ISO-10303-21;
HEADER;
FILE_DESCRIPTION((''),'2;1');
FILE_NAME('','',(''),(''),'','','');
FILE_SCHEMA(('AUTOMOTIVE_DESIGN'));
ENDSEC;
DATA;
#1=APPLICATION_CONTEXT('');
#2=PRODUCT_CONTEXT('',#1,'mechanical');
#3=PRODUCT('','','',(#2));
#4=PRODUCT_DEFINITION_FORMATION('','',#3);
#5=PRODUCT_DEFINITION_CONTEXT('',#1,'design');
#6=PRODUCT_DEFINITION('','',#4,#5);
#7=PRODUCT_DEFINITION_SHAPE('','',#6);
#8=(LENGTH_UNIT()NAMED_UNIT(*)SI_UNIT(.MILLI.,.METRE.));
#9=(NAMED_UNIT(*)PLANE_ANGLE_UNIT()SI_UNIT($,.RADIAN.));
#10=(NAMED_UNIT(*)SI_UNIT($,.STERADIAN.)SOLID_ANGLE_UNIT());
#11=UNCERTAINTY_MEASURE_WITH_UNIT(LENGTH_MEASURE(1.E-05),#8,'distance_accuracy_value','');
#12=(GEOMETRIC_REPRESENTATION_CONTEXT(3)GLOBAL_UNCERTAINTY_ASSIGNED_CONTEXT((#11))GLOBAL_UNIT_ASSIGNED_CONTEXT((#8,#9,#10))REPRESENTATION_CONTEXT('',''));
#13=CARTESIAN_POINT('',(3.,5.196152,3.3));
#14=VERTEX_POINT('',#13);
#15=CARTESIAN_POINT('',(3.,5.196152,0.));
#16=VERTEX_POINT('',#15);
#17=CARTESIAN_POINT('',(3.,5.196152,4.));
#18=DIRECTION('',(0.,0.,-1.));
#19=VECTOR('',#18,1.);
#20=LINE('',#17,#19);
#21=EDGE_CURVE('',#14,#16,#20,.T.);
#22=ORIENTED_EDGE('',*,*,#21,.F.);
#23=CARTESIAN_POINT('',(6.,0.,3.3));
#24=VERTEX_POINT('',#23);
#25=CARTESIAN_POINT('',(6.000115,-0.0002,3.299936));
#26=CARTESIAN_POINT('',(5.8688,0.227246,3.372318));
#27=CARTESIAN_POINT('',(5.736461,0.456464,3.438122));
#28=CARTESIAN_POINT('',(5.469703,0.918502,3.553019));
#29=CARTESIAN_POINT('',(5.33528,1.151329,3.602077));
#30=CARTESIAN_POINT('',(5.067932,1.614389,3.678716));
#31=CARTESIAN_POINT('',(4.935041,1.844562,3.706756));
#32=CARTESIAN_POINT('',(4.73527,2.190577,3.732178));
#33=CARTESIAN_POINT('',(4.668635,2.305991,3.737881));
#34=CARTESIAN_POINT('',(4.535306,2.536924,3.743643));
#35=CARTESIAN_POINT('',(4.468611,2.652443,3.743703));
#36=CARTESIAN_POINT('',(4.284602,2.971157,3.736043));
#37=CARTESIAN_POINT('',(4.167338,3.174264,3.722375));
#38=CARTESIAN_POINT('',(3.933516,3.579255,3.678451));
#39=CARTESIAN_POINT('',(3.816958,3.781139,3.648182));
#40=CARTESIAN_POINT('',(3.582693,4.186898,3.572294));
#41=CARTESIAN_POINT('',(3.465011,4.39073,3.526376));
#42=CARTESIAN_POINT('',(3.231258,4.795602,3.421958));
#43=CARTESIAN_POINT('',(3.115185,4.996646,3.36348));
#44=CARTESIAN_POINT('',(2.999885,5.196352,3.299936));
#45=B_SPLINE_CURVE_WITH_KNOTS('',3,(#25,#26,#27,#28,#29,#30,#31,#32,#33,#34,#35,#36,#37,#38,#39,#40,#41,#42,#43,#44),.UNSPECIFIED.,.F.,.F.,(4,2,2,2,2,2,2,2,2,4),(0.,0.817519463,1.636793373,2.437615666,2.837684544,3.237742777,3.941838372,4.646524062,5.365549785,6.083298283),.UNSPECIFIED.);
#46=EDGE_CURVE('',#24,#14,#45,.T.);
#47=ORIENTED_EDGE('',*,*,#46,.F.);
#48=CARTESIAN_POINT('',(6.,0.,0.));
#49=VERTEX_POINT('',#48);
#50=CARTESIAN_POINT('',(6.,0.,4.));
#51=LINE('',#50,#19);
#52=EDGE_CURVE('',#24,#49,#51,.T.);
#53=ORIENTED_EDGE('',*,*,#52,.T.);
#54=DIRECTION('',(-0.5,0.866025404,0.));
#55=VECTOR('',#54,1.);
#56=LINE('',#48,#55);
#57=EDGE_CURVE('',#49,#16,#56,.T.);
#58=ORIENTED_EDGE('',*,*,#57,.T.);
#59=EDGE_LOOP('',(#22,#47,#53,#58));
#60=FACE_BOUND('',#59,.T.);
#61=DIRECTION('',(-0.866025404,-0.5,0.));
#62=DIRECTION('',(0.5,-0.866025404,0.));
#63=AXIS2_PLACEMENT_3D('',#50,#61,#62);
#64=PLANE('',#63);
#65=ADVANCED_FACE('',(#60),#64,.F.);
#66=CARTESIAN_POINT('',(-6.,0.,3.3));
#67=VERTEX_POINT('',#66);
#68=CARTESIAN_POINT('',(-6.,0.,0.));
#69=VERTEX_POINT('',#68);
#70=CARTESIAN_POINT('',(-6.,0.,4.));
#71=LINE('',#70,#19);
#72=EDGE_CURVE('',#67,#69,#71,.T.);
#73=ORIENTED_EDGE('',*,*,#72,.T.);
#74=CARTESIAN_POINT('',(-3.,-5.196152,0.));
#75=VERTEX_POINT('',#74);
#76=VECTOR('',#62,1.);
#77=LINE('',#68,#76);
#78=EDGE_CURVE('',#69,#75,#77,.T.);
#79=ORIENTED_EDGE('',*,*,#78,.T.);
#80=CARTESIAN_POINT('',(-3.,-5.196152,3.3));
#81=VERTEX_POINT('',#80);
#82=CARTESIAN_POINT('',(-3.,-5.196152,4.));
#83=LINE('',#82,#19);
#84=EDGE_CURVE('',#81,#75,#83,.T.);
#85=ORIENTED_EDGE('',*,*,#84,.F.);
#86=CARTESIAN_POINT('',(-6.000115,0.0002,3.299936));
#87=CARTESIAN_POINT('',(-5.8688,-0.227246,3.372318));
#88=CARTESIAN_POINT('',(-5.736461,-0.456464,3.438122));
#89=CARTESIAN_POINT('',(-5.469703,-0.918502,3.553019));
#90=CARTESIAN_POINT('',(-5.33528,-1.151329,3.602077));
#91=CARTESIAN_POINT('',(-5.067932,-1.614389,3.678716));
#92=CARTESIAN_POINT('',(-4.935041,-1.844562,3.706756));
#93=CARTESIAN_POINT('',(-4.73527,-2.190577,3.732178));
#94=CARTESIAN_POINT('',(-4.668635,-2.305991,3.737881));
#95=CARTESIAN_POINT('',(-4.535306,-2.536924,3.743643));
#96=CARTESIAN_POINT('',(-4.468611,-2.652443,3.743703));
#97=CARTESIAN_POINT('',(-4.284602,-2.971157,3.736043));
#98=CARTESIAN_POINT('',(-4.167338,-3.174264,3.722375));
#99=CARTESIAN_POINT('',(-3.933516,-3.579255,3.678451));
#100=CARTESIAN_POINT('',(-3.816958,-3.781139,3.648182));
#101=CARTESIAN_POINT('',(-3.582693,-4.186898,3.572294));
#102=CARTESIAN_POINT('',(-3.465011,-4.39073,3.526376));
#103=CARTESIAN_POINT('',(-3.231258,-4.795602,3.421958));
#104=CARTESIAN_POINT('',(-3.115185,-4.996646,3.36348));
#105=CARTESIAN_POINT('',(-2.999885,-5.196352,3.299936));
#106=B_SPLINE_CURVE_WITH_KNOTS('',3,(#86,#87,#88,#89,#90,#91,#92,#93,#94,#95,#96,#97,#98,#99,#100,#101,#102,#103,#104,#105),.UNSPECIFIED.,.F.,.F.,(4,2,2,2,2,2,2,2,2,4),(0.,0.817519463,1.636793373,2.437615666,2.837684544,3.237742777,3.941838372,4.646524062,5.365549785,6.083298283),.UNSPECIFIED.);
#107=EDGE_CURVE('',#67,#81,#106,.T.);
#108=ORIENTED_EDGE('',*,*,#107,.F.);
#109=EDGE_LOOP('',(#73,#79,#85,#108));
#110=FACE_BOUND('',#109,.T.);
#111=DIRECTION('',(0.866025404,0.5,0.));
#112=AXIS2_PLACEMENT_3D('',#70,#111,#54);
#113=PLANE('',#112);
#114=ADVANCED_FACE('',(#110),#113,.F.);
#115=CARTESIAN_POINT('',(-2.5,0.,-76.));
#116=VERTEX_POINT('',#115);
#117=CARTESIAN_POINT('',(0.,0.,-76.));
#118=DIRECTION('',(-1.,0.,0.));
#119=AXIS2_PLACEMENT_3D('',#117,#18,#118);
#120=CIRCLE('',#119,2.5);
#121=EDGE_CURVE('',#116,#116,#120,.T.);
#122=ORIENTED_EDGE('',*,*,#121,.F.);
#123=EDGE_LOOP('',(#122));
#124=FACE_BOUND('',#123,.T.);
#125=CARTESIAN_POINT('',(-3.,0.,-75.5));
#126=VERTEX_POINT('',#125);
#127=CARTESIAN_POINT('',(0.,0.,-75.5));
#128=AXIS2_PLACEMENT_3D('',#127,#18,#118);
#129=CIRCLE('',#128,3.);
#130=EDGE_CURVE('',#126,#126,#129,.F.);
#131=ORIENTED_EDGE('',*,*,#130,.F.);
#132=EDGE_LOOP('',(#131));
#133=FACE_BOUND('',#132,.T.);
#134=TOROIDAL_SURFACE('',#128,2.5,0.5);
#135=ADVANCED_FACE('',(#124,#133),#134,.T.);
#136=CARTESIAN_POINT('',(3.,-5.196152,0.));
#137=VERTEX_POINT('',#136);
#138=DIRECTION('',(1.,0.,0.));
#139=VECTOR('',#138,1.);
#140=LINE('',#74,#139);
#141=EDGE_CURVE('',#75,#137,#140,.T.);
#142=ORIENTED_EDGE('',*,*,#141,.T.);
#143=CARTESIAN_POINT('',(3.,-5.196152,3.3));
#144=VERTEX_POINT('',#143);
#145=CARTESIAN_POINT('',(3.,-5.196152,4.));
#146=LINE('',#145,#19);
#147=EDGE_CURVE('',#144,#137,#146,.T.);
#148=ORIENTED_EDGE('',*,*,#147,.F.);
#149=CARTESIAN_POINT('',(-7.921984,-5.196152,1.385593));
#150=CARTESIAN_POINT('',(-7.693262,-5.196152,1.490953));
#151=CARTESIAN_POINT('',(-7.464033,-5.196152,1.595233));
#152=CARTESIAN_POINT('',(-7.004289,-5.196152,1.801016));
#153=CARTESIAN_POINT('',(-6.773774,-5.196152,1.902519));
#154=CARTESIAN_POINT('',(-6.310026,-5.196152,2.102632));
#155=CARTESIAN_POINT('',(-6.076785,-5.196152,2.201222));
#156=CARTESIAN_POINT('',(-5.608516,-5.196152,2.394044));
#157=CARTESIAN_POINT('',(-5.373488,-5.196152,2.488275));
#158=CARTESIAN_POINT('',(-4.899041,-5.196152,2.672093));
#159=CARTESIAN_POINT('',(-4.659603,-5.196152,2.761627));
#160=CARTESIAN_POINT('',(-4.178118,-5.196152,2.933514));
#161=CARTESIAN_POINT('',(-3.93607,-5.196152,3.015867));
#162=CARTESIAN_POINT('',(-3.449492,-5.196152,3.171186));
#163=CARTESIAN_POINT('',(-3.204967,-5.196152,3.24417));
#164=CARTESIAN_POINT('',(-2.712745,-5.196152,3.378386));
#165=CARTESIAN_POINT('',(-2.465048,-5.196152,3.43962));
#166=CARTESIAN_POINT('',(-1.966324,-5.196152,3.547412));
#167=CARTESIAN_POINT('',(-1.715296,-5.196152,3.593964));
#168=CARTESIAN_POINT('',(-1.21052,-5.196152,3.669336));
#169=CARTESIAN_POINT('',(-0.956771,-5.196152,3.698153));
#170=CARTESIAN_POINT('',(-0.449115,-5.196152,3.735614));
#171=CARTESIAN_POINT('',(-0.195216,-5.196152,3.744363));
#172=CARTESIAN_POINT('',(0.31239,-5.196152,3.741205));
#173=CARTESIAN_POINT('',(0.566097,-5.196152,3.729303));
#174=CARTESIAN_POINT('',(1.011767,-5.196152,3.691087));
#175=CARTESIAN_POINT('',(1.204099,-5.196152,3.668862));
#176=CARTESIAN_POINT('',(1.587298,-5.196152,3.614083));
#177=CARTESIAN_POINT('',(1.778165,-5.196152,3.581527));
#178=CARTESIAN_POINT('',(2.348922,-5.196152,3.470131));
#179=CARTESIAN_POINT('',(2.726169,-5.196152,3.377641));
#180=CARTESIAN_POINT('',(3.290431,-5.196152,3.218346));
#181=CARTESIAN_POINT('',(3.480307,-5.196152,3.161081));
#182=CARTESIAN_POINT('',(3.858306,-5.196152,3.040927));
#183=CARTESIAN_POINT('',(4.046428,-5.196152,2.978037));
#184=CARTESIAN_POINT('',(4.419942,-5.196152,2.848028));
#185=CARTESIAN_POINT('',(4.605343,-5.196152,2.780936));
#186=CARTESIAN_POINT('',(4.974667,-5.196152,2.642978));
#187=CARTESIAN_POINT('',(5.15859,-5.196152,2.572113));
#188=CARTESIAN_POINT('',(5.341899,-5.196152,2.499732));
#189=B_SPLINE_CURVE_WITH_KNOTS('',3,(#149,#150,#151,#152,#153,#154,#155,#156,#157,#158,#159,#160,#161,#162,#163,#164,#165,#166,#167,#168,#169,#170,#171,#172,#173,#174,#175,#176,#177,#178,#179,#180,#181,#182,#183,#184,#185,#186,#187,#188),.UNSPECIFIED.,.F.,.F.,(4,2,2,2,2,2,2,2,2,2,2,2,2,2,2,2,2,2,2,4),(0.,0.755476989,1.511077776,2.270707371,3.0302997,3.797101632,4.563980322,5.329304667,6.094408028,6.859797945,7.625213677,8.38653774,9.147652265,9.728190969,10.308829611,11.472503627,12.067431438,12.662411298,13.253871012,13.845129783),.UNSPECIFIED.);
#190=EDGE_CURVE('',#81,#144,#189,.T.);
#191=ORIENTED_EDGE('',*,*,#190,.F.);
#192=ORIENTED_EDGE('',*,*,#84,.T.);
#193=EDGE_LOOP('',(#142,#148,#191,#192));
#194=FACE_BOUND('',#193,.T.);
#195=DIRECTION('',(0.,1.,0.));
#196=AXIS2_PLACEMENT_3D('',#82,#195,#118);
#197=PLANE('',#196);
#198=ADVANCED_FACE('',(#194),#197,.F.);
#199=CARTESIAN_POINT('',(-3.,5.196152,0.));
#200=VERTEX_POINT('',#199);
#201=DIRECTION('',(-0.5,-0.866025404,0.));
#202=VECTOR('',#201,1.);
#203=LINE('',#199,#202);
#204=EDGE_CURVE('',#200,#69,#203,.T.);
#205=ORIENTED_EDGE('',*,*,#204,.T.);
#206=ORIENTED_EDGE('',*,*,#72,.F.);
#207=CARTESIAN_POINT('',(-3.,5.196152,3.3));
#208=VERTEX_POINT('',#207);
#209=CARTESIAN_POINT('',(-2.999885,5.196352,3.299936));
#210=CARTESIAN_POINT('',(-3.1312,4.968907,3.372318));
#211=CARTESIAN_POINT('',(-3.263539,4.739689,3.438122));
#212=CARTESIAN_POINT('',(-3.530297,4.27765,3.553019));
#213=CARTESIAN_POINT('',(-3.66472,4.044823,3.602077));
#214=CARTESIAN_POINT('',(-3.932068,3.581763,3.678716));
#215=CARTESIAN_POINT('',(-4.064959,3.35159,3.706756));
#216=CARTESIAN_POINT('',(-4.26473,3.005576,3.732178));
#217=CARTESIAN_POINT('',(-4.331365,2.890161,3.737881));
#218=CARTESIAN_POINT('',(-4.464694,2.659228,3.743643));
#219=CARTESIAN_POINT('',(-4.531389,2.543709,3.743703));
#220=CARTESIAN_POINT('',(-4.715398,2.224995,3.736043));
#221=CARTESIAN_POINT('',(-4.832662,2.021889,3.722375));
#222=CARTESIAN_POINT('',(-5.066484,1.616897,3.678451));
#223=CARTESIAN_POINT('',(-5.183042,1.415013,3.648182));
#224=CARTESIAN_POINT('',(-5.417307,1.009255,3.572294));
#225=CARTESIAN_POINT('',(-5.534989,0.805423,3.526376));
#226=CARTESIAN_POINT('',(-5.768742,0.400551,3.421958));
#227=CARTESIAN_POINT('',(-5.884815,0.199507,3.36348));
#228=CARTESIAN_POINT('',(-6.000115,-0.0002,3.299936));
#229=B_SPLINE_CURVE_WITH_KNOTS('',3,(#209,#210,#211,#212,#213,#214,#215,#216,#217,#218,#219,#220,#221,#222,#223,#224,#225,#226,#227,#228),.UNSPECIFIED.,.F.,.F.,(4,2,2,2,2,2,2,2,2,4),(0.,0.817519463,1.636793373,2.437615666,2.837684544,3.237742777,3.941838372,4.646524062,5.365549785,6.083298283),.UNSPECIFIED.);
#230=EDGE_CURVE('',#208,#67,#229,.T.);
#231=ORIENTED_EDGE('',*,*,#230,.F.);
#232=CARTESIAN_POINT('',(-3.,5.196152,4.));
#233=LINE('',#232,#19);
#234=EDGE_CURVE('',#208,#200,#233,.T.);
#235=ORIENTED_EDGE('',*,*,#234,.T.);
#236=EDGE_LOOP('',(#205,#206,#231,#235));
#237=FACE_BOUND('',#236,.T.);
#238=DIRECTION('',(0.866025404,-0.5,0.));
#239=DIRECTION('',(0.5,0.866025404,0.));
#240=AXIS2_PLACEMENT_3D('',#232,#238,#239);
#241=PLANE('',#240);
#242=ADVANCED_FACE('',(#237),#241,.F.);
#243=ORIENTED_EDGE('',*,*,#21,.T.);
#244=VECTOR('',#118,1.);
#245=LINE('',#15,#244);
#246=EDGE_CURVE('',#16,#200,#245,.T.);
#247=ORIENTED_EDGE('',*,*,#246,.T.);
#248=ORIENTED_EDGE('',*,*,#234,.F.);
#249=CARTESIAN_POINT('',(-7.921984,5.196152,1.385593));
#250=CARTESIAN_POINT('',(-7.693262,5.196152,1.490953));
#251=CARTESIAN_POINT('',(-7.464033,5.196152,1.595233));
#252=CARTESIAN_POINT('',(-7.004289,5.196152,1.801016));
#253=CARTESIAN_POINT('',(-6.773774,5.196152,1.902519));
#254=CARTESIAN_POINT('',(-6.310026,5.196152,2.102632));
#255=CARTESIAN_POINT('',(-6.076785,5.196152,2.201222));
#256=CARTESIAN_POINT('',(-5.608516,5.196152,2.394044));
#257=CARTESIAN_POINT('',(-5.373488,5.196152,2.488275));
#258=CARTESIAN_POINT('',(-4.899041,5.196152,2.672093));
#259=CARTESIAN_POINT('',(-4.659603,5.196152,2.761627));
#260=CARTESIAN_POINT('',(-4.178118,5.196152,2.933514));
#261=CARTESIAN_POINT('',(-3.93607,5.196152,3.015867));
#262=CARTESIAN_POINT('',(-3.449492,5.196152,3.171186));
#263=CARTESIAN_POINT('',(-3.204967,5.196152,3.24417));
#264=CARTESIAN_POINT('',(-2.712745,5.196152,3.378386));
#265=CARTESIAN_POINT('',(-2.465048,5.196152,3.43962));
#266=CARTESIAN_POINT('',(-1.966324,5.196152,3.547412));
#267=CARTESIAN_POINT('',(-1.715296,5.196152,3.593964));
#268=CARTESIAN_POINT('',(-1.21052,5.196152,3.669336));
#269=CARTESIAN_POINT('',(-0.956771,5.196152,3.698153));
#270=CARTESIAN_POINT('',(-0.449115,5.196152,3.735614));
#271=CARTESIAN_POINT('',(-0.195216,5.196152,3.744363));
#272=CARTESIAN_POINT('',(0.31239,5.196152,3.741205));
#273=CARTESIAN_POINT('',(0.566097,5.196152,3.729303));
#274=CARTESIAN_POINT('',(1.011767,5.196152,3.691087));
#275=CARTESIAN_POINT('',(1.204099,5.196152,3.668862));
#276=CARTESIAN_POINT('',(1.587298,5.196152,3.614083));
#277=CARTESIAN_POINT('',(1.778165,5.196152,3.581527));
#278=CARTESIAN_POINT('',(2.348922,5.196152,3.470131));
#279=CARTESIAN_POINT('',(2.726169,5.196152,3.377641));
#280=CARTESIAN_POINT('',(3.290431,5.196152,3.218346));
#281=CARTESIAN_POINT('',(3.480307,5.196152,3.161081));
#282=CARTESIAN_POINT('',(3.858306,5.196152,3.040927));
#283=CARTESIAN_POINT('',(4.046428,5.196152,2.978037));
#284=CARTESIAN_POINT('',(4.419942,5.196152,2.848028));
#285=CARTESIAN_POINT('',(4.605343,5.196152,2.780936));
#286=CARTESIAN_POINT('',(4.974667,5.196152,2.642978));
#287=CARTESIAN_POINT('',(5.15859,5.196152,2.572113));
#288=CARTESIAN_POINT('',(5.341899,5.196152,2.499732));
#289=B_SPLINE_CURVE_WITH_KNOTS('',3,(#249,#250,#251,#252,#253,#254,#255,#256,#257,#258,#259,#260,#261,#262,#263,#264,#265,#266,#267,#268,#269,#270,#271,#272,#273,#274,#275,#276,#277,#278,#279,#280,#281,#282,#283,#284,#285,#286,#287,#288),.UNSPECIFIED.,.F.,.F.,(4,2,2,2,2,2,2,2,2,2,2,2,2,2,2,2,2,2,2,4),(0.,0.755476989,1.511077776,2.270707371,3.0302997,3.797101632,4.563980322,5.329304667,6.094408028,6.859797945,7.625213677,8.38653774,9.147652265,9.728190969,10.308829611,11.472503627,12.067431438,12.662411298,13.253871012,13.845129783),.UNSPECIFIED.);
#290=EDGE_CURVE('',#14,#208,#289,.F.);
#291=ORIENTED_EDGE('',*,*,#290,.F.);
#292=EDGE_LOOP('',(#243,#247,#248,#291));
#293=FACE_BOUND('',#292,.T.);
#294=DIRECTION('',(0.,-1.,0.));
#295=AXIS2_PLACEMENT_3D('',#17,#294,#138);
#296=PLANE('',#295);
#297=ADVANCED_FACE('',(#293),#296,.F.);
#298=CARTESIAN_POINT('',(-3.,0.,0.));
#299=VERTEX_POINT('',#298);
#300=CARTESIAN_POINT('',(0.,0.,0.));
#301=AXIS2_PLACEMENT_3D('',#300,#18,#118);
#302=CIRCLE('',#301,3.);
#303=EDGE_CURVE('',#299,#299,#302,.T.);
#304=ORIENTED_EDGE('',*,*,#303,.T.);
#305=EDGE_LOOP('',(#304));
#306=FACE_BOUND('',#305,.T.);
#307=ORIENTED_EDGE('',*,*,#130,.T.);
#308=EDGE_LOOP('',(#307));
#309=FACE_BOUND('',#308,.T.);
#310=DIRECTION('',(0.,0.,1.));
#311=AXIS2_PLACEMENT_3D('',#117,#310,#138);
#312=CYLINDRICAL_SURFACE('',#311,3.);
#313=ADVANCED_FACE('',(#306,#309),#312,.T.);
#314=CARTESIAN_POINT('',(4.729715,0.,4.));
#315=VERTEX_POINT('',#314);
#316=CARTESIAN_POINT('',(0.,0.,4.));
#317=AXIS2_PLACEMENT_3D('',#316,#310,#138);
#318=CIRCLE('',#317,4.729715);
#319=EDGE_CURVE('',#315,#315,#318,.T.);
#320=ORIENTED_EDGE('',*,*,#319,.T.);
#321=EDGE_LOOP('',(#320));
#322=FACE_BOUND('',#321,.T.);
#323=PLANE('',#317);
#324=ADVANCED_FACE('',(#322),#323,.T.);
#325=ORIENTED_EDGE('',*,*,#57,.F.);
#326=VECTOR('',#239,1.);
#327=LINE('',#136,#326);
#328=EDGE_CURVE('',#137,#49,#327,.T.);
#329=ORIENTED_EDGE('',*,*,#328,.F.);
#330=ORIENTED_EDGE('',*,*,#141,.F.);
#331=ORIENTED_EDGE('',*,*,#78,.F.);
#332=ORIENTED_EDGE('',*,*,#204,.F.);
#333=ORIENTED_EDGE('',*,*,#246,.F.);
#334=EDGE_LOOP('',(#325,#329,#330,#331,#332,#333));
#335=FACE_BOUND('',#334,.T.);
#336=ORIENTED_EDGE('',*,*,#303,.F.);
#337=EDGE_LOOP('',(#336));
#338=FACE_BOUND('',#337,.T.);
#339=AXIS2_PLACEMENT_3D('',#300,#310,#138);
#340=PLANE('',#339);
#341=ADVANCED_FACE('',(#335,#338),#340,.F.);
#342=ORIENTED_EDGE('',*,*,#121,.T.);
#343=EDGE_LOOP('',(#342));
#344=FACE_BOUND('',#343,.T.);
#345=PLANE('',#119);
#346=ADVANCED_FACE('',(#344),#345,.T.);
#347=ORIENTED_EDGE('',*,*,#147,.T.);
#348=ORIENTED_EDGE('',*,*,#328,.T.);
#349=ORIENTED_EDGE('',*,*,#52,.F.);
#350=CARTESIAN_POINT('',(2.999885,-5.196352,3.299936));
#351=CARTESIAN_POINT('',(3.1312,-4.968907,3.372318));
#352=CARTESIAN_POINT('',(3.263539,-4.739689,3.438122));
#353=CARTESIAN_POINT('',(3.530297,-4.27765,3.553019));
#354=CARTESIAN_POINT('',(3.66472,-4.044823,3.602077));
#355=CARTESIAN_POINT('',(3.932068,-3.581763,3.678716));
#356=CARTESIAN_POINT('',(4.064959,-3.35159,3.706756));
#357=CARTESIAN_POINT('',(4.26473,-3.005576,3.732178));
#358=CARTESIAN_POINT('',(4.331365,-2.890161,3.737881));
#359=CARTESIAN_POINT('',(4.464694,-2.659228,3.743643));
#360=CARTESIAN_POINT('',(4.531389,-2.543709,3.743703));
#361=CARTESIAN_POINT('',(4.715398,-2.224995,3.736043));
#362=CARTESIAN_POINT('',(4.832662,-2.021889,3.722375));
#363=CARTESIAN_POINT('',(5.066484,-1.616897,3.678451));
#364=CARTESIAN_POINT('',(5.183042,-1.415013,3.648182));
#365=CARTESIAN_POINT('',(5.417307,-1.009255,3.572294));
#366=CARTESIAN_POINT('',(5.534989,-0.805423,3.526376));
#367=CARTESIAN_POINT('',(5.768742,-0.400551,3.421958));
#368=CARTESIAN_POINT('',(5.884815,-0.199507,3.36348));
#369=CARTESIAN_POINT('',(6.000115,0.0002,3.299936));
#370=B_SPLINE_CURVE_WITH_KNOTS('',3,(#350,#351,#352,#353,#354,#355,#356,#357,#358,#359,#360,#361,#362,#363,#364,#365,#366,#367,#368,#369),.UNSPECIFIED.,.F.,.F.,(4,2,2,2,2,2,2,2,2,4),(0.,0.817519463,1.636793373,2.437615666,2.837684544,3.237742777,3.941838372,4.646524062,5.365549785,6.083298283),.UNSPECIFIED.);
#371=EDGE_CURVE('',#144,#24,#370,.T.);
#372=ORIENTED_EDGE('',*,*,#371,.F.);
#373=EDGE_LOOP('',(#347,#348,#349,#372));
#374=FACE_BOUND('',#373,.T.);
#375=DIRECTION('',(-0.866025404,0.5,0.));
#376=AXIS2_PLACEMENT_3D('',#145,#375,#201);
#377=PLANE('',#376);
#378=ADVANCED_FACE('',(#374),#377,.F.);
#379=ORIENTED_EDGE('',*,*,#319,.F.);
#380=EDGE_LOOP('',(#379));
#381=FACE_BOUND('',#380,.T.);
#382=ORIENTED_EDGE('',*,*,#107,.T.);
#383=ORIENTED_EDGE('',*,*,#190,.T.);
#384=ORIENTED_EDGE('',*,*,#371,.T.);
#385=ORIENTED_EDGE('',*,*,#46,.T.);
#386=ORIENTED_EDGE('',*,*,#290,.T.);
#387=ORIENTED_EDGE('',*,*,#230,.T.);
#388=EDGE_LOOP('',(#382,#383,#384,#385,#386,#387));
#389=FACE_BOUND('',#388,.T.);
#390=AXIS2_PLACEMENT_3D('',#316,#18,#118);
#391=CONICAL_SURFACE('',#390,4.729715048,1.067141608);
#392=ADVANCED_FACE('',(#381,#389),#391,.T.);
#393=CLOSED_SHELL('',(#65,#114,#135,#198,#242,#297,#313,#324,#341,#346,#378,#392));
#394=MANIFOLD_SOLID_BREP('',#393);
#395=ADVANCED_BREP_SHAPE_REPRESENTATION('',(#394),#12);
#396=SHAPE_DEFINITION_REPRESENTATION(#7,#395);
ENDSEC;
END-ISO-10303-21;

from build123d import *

# Parameters (mm, degrees)
BOSS_EXTRUDE1_DEPTH = 4
SKETCH5_R           = 3
BOSS_EXTRUDE2_DEPTH = 76
FILLET1_R           = 0.5


with BuildPart() as part:
    # Sketch1 → Boss-Extrude1 (new body)
    with BuildSketch(Plane.XY):
        Polygon((6, 0), (3, 5.196152423), (-3, 5.196152423), (-6, 0), (-3, -5.196152423), (3, -5.196152423), align=None)
    extrude(amount=BOSS_EXTRUDE1_DEPTH)

    # Sketch4 → Cut-Revolve1 (revolve, cut)
    with BuildSketch(Plane(origin=(0, 0, 0), x_dir=(0, 0, -1), z_dir=(0.866025404, 0.5, 0))):
        Polygon((-4, 4.729715048), (-3.3, 6), (-4, 6), align=None)
    revolve(axis=Axis((0, 0, 6.225223698), (0, 0, -1)), mode=Mode.SUBTRACT)

    # Sketch5 → Boss-Extrude2 (add)
    with BuildSketch(Plane(origin=(0, 0, 0), x_dir=(-1, 0, 0), z_dir=(0, 0, -1))):
        Circle(SKETCH5_R)
    extrude(amount=BOSS_EXTRUDE2_DEPTH)

    # Fillet1
    fillet1_edges = [part.edges().sort_by_distance(p)[0] for p in [
        (3, 0, -76),
    ]]
    fillet(fillet1_edges, radius=FILLET1_R)


solid = part.part
